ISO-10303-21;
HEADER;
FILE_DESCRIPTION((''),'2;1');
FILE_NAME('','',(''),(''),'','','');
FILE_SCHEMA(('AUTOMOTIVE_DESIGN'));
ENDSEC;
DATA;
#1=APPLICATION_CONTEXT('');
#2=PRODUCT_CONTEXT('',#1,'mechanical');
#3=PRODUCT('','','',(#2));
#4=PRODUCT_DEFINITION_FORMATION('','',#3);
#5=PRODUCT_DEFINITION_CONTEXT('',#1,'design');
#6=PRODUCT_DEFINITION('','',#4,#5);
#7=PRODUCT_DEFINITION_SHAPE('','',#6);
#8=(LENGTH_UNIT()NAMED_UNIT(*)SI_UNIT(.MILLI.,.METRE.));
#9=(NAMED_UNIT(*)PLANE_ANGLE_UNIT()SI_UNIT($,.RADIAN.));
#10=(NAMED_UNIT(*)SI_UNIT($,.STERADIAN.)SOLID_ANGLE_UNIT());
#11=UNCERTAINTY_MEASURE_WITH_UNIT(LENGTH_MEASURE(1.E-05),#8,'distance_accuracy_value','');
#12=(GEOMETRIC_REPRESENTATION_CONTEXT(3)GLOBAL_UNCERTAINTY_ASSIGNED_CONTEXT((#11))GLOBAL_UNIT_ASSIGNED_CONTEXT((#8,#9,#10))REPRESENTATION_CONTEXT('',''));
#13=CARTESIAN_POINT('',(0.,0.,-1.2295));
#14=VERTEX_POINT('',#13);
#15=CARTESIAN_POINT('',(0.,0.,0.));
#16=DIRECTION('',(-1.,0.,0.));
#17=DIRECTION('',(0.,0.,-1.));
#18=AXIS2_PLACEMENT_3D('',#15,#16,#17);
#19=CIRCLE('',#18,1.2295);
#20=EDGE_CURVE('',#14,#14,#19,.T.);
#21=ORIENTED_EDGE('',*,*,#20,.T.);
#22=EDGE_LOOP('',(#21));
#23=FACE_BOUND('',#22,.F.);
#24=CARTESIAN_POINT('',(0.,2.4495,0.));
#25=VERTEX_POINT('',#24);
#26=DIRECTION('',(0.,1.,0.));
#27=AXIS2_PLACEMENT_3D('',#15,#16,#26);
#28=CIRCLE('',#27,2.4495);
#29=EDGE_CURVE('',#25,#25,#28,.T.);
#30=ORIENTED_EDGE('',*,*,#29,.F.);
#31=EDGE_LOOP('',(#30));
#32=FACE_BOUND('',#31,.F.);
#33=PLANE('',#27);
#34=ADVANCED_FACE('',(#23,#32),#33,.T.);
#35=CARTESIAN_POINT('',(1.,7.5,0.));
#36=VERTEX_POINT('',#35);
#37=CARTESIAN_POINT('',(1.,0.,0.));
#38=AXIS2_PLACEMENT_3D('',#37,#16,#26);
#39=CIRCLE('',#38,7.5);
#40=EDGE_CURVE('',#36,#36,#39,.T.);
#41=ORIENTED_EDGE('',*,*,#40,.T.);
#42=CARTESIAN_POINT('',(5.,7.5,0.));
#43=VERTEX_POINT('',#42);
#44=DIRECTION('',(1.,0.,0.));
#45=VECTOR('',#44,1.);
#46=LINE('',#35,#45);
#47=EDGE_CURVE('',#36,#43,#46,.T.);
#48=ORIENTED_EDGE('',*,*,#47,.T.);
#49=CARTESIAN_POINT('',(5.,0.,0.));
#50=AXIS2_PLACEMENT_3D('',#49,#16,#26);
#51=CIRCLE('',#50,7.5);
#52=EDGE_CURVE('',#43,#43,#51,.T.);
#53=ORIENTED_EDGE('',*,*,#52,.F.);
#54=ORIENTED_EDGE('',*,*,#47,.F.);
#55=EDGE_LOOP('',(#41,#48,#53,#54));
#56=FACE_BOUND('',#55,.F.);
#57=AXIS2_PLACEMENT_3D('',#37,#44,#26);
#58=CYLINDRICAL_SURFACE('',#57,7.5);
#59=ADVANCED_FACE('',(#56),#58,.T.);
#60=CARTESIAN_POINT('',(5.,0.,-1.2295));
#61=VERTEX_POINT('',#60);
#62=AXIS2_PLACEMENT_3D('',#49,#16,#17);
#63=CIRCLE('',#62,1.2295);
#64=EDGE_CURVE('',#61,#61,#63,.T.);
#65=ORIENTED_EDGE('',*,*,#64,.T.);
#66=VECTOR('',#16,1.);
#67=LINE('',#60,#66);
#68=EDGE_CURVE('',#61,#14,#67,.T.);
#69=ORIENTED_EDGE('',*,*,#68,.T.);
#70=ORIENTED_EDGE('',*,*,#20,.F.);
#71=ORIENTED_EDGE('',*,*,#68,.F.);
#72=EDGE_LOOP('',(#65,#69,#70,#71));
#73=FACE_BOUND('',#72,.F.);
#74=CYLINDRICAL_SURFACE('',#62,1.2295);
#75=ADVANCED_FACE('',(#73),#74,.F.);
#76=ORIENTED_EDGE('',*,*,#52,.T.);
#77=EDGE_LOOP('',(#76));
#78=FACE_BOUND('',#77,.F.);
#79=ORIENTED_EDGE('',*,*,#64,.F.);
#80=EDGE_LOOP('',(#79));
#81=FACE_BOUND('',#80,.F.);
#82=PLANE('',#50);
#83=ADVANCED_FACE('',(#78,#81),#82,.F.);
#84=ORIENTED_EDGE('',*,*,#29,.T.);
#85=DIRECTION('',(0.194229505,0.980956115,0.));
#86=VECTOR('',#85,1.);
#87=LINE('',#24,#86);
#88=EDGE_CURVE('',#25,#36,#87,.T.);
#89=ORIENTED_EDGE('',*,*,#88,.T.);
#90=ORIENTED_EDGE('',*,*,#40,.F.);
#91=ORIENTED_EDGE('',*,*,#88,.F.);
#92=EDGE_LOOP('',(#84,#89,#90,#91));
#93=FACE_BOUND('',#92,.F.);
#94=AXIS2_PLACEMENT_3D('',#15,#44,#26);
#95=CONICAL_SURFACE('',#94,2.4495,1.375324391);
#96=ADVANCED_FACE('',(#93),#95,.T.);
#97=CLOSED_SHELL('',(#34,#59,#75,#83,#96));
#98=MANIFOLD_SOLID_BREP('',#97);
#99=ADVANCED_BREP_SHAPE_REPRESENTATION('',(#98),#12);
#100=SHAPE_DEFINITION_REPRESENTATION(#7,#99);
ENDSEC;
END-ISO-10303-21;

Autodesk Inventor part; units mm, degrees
ref_plane "YZ Plane" through (0, 0, 0) normal (1, 0, 0) x (0, 1, 0)
ref_plane "XZ Plane" through (0, 0, 0) normal (0, 1, 0) x (-1, 0, 0)
ref_plane "XY Plane" through (0, 0, 0) normal (0, 0, 1) x (1, 0, 0)
sketch "Sketch1" plane through (0, 0, 0) normal (0, 0, 1) x (1, 0, 0)
  line L0 (0, 0) -> (0, 2.4495)
  line L1 (0, 2.4495) -> (1, 7.5)
  line L2 (1, 7.5) -> (5, 7.5)
  line L3 (5, 7.5) -> (5, 0)
  line L4 (5, 0) -> (0, 0)
  point P0 (3, 7.5)
  point P1 (2.5, 0)
  dimension "d0" = 15
  dimension "d1" = 7
  dimension "d2" = 4
  dimension "d3" = 5
revolve "Revolution1" add sketch "Sketch1" angle 360 about axis through (5, 0, 0) along (-1, 0, 0)
sketch "Sketch2" plane through (5, 0, 0) normal (1, 0, 0) x (0, 0, -1)
  circle A0 centre (0, 0) radius 7.5 projected
  point P0 (0, 0)
hole "Hole1" at (5, 0, 0) direction (-1, 0, 0) diameter 2.459 depth 5 thread size "M3x0.5" class "6H" standard "ISO Metric profile"
properties part number "20"
